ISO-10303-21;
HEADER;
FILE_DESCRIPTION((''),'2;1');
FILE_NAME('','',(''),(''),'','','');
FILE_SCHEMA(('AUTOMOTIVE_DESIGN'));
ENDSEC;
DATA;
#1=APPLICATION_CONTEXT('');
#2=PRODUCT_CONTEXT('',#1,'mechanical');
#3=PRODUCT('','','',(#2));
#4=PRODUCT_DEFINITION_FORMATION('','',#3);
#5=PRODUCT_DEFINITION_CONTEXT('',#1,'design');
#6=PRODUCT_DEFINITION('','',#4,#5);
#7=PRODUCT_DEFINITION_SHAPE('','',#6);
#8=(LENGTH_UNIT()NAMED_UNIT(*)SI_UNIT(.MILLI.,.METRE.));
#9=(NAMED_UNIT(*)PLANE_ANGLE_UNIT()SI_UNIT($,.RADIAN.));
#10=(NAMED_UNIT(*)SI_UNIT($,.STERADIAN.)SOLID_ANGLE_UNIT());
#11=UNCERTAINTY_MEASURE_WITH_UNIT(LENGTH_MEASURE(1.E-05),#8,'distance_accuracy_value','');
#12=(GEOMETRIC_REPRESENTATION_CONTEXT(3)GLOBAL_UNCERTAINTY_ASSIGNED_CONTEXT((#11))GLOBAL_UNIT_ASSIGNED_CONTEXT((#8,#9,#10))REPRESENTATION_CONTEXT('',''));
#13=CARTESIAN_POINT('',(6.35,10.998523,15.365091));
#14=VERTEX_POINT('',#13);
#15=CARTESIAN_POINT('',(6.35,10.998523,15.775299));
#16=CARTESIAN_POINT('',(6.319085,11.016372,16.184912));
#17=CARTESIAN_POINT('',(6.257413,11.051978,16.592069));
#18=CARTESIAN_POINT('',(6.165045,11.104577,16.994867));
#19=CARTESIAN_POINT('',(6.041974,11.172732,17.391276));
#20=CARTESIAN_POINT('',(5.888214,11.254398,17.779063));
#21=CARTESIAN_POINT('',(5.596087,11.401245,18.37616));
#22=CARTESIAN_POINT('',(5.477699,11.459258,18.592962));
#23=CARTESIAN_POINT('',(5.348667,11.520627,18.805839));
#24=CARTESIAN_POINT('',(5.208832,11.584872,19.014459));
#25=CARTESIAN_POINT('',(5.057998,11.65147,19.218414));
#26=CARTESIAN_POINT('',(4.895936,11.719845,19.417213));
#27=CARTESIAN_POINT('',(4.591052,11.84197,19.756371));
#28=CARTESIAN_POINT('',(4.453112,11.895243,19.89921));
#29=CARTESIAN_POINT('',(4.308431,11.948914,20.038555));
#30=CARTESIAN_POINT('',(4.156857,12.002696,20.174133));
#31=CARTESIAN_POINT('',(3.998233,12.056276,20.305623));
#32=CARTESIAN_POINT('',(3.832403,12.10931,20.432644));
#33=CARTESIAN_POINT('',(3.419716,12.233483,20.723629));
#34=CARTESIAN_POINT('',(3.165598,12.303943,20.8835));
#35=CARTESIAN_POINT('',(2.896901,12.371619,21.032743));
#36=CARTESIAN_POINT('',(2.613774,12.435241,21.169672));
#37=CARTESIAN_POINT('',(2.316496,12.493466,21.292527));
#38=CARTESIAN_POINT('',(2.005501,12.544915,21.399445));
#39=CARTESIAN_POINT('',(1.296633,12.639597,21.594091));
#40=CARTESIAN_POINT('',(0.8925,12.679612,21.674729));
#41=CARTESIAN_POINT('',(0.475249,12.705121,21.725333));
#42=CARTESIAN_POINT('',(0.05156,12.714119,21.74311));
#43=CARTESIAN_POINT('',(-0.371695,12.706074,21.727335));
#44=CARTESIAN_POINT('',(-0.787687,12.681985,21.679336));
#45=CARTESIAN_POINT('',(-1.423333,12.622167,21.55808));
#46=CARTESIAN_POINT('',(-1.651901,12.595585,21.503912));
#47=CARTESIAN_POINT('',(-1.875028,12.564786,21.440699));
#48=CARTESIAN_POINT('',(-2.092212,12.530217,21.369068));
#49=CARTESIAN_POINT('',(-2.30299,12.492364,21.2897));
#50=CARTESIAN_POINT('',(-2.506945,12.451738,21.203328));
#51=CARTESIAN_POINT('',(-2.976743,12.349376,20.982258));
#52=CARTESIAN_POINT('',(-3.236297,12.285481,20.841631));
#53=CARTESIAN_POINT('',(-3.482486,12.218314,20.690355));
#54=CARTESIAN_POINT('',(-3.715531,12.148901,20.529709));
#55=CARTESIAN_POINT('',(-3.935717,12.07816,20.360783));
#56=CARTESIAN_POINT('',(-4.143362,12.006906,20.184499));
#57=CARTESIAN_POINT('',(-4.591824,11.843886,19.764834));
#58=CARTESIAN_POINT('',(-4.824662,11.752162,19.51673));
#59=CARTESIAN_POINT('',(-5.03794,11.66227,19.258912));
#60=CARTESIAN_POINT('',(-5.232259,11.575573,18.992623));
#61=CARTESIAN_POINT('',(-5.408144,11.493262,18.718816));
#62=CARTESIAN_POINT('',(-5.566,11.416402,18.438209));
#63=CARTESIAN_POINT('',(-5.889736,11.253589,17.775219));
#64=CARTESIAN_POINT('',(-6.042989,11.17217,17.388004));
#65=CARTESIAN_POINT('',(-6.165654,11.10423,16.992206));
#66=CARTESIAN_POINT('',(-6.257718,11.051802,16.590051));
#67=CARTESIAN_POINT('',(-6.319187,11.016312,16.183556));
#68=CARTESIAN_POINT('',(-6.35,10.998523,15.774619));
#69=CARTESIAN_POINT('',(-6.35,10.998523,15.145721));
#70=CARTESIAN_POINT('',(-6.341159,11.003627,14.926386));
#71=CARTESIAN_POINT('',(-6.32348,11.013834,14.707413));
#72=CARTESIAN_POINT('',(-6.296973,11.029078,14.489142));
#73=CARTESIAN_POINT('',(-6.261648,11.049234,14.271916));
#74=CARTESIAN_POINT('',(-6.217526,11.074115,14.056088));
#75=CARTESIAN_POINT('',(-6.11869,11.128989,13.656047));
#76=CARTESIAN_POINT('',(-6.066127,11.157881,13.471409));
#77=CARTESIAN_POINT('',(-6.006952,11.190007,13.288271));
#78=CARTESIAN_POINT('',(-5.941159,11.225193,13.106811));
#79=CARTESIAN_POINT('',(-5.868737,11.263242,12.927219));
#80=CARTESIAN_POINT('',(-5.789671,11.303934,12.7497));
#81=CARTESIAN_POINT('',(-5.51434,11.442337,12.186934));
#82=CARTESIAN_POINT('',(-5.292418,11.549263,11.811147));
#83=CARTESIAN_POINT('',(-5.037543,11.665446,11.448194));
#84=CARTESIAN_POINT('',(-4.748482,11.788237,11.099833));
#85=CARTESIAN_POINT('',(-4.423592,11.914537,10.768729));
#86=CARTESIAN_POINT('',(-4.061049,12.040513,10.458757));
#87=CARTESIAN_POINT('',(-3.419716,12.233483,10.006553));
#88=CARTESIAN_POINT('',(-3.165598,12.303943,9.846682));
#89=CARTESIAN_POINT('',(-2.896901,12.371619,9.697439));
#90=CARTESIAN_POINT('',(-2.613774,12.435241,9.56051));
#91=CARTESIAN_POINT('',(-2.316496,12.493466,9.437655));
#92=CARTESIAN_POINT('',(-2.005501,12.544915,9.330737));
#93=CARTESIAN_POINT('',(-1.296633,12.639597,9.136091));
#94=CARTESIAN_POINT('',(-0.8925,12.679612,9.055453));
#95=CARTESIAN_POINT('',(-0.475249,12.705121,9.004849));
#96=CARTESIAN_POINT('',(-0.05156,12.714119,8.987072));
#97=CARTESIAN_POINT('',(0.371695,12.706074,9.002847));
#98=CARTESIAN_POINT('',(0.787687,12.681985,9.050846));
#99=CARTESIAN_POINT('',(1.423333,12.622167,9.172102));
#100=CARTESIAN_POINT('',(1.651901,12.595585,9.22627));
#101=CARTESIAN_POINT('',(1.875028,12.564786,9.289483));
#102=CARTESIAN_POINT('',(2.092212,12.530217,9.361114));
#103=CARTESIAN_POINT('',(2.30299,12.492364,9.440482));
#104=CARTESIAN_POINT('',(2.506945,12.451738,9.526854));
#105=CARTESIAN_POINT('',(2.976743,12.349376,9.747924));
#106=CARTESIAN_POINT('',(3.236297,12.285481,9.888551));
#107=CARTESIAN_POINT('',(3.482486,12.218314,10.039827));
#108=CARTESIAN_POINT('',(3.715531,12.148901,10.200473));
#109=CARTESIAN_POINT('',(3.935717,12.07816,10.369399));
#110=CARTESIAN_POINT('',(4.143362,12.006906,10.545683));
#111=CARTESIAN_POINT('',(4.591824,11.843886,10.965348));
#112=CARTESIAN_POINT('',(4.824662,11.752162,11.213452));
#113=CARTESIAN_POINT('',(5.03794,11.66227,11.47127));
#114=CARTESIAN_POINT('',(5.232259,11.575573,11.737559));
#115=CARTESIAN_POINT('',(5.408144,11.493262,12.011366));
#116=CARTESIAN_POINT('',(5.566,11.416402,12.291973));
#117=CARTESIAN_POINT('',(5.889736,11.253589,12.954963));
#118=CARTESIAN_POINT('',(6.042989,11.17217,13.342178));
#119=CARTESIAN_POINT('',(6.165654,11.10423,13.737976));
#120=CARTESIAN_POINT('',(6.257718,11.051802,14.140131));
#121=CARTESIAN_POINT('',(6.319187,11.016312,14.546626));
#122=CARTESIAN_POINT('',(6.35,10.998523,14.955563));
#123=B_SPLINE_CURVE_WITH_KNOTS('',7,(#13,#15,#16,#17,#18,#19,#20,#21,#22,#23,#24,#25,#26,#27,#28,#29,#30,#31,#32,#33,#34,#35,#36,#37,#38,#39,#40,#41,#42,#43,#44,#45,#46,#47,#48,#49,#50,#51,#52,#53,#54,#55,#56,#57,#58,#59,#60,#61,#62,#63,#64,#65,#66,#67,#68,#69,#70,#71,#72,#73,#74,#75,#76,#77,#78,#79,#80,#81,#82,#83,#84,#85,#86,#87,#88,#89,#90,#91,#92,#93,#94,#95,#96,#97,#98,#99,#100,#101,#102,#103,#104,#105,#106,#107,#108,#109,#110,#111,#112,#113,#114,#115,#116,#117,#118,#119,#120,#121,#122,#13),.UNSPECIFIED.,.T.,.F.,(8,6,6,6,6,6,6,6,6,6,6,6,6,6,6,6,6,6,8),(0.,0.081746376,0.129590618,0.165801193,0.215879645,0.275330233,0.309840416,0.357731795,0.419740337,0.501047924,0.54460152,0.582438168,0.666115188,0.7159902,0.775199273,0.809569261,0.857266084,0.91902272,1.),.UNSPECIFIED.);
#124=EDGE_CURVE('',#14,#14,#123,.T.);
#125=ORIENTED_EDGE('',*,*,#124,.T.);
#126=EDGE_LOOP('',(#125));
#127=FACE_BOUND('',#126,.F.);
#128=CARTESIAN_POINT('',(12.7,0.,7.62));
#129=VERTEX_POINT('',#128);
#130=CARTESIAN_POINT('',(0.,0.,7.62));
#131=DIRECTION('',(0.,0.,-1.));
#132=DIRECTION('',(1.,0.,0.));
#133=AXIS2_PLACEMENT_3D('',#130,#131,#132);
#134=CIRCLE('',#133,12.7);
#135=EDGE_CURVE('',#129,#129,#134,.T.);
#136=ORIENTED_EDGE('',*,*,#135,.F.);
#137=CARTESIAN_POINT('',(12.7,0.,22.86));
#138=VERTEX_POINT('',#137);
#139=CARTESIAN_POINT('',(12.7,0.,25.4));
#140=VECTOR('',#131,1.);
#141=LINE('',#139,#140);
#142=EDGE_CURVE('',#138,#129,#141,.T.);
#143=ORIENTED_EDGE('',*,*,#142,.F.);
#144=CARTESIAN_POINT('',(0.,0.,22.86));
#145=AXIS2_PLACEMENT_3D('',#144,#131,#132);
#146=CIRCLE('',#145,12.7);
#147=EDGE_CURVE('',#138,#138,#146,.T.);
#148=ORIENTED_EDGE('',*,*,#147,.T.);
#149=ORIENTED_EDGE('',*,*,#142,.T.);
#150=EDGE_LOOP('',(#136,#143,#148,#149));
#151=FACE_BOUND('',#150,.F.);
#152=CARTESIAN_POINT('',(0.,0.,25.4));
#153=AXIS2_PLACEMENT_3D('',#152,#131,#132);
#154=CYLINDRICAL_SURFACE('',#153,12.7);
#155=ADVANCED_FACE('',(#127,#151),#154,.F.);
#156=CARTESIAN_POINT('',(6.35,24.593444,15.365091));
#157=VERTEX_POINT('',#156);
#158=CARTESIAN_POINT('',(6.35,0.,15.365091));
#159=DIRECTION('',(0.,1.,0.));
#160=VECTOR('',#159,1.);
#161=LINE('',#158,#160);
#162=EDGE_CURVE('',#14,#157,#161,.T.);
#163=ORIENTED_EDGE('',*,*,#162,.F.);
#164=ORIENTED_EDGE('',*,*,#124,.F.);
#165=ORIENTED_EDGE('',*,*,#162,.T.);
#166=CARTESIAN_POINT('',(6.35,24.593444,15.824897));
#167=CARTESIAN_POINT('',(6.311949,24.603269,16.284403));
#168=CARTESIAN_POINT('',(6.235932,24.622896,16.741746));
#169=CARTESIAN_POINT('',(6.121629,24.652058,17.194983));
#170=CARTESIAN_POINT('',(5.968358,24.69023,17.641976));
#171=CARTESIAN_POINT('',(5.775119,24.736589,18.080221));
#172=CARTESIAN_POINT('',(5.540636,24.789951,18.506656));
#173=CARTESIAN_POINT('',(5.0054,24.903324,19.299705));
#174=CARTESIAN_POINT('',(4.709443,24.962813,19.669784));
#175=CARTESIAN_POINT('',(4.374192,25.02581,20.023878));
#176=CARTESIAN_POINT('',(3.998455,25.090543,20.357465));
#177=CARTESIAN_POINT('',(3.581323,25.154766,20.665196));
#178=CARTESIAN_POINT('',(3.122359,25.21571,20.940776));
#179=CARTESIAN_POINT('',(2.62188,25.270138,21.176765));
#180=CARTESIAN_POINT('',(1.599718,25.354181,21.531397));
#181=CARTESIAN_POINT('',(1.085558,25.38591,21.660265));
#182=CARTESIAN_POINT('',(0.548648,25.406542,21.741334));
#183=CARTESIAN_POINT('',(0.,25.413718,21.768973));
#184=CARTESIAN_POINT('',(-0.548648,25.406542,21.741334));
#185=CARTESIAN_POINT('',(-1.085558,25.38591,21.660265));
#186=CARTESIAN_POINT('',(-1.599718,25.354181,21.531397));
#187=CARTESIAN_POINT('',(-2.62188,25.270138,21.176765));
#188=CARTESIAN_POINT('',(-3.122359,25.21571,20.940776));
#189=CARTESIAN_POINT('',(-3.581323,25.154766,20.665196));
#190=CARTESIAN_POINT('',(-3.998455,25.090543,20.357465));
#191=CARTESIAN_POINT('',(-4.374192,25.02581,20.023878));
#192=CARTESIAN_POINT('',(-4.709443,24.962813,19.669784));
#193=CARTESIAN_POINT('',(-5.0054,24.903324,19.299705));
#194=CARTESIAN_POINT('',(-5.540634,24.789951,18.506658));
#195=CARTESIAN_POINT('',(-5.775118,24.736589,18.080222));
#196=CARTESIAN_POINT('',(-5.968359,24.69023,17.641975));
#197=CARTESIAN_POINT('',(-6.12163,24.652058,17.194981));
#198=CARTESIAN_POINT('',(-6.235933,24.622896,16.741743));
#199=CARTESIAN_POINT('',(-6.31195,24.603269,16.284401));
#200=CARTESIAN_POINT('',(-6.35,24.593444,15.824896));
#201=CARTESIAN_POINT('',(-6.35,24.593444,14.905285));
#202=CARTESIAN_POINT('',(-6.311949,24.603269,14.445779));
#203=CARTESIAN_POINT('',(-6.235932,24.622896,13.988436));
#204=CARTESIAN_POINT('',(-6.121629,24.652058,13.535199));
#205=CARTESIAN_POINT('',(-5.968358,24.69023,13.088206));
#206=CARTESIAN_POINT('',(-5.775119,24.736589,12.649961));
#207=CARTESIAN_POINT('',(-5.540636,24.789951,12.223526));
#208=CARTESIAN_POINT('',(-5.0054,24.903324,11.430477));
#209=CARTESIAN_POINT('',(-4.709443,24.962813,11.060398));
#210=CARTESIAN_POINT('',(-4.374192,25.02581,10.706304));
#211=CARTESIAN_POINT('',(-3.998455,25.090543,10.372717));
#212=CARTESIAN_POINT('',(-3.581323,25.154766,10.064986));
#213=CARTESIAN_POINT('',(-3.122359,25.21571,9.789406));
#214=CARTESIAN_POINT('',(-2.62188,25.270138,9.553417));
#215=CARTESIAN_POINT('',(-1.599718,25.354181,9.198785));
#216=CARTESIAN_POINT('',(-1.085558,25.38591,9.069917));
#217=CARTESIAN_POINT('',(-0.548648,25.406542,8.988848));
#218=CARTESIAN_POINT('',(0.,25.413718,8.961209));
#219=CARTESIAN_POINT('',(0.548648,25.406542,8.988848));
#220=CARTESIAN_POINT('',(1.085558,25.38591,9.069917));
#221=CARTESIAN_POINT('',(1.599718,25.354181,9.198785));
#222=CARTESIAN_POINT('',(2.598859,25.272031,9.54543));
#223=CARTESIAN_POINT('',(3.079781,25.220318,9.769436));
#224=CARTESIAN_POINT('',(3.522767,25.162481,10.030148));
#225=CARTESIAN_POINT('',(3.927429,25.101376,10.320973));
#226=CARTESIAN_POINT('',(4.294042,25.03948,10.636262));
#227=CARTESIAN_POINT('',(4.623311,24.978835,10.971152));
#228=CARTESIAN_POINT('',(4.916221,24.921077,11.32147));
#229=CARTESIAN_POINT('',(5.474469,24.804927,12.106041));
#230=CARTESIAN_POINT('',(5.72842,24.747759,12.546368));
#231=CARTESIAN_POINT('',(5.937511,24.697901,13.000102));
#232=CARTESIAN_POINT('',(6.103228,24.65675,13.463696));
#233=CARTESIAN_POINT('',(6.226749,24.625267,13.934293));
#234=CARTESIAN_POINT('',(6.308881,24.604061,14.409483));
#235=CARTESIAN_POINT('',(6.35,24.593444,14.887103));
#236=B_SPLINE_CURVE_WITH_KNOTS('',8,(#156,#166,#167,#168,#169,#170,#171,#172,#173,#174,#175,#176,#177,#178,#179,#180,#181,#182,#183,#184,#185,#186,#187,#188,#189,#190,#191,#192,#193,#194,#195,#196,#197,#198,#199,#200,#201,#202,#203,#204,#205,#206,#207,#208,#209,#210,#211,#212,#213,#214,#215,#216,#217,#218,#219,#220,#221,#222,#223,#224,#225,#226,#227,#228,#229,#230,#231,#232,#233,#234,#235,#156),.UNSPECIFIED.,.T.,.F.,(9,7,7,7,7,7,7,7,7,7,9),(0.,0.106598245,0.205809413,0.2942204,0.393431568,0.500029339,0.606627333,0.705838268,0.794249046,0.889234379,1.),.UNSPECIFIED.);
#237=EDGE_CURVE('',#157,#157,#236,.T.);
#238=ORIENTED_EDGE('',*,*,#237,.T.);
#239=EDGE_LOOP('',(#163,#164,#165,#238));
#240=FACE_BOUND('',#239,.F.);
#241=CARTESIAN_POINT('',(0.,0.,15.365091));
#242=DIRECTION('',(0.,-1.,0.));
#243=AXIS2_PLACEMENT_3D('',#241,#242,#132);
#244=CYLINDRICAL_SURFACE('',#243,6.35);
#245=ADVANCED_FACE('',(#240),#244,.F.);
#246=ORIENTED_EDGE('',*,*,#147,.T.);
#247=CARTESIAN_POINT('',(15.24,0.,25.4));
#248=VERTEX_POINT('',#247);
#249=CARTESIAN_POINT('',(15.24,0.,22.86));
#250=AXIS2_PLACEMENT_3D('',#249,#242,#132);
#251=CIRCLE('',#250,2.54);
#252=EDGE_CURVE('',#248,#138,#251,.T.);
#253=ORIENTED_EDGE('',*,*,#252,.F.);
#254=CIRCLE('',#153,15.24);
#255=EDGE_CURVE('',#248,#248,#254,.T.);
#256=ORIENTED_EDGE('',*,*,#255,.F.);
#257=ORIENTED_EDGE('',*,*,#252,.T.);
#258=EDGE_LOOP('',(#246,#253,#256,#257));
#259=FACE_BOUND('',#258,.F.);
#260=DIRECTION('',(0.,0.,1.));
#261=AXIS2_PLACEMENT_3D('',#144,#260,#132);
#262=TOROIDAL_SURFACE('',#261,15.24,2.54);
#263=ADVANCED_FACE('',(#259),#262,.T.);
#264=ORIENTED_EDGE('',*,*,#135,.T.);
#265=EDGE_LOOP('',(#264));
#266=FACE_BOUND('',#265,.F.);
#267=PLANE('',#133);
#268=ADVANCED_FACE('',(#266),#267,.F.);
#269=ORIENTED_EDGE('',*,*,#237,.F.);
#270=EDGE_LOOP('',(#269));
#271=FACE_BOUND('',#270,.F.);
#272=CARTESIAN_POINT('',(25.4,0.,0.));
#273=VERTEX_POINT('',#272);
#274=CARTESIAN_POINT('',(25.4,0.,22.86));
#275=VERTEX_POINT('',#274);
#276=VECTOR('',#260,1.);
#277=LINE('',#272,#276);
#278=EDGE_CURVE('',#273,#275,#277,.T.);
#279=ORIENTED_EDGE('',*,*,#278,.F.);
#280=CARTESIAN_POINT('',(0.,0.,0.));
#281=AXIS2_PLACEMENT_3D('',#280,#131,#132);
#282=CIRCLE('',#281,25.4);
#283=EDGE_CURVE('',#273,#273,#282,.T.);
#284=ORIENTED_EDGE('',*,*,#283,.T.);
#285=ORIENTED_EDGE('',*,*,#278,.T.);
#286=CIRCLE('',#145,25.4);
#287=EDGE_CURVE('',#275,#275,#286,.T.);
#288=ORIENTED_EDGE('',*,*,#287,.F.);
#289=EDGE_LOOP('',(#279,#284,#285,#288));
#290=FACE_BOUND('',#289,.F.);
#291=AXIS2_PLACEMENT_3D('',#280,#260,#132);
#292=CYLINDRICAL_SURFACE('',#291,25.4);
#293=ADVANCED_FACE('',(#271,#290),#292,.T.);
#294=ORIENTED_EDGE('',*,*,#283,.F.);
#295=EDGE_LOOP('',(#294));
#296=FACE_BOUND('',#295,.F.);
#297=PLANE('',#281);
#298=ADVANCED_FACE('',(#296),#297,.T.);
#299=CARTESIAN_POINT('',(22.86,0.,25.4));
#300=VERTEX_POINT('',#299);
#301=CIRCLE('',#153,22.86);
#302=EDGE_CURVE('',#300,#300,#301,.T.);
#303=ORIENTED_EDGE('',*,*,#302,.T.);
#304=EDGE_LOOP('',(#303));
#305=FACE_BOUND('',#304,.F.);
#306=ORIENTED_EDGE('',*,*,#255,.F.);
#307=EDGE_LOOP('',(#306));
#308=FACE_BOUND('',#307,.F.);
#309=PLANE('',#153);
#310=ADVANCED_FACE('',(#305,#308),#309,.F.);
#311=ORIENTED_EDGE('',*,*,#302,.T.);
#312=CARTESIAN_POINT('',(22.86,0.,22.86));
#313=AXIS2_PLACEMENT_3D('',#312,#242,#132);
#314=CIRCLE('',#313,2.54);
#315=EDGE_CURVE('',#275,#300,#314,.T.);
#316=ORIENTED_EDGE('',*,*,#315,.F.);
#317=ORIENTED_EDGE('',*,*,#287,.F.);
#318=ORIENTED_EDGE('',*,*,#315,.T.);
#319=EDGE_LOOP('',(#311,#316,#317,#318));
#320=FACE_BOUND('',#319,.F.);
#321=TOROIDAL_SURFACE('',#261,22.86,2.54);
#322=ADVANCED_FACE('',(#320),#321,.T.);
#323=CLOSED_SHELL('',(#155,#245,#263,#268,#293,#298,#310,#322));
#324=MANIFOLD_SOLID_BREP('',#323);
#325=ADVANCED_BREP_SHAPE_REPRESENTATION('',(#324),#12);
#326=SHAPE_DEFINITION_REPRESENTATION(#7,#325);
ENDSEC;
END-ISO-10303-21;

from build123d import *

# Parameters (mm, degrees)
F2_R     = 2.54
F3_R     = 6.35
F4_DEPTH = 25.401


with BuildPart() as f1:
    # F0 (on Front) → F1 (revolve)
    with BuildSketch(Plane.XZ):
        Polygon((0, 7.62), (0, 0), (25.4, 0), (25.4, 25.4), (12.7, 25.4), (12.7, 7.62), align=None)
    revolve(axis=Axis((0, 0, 3.81), (0, 0, -1)))

    # F2
    f2_edges = [f1.edges().sort_by_distance(p)[0] for p in [
        (-25.4, 0, 25.4),
        (-12.7, 0, 25.4),
    ]]
    fillet(f2_edges, radius=F2_R)

    # F3 (on Front) → F4 (cut, through all)
    with BuildSketch(Plane.XZ):
        with Locations((0, 15.365091)):
            Circle(F3_R)
    extrude(amount=-F4_DEPTH, mode=Mode.SUBTRACT)


solid = f1.part
